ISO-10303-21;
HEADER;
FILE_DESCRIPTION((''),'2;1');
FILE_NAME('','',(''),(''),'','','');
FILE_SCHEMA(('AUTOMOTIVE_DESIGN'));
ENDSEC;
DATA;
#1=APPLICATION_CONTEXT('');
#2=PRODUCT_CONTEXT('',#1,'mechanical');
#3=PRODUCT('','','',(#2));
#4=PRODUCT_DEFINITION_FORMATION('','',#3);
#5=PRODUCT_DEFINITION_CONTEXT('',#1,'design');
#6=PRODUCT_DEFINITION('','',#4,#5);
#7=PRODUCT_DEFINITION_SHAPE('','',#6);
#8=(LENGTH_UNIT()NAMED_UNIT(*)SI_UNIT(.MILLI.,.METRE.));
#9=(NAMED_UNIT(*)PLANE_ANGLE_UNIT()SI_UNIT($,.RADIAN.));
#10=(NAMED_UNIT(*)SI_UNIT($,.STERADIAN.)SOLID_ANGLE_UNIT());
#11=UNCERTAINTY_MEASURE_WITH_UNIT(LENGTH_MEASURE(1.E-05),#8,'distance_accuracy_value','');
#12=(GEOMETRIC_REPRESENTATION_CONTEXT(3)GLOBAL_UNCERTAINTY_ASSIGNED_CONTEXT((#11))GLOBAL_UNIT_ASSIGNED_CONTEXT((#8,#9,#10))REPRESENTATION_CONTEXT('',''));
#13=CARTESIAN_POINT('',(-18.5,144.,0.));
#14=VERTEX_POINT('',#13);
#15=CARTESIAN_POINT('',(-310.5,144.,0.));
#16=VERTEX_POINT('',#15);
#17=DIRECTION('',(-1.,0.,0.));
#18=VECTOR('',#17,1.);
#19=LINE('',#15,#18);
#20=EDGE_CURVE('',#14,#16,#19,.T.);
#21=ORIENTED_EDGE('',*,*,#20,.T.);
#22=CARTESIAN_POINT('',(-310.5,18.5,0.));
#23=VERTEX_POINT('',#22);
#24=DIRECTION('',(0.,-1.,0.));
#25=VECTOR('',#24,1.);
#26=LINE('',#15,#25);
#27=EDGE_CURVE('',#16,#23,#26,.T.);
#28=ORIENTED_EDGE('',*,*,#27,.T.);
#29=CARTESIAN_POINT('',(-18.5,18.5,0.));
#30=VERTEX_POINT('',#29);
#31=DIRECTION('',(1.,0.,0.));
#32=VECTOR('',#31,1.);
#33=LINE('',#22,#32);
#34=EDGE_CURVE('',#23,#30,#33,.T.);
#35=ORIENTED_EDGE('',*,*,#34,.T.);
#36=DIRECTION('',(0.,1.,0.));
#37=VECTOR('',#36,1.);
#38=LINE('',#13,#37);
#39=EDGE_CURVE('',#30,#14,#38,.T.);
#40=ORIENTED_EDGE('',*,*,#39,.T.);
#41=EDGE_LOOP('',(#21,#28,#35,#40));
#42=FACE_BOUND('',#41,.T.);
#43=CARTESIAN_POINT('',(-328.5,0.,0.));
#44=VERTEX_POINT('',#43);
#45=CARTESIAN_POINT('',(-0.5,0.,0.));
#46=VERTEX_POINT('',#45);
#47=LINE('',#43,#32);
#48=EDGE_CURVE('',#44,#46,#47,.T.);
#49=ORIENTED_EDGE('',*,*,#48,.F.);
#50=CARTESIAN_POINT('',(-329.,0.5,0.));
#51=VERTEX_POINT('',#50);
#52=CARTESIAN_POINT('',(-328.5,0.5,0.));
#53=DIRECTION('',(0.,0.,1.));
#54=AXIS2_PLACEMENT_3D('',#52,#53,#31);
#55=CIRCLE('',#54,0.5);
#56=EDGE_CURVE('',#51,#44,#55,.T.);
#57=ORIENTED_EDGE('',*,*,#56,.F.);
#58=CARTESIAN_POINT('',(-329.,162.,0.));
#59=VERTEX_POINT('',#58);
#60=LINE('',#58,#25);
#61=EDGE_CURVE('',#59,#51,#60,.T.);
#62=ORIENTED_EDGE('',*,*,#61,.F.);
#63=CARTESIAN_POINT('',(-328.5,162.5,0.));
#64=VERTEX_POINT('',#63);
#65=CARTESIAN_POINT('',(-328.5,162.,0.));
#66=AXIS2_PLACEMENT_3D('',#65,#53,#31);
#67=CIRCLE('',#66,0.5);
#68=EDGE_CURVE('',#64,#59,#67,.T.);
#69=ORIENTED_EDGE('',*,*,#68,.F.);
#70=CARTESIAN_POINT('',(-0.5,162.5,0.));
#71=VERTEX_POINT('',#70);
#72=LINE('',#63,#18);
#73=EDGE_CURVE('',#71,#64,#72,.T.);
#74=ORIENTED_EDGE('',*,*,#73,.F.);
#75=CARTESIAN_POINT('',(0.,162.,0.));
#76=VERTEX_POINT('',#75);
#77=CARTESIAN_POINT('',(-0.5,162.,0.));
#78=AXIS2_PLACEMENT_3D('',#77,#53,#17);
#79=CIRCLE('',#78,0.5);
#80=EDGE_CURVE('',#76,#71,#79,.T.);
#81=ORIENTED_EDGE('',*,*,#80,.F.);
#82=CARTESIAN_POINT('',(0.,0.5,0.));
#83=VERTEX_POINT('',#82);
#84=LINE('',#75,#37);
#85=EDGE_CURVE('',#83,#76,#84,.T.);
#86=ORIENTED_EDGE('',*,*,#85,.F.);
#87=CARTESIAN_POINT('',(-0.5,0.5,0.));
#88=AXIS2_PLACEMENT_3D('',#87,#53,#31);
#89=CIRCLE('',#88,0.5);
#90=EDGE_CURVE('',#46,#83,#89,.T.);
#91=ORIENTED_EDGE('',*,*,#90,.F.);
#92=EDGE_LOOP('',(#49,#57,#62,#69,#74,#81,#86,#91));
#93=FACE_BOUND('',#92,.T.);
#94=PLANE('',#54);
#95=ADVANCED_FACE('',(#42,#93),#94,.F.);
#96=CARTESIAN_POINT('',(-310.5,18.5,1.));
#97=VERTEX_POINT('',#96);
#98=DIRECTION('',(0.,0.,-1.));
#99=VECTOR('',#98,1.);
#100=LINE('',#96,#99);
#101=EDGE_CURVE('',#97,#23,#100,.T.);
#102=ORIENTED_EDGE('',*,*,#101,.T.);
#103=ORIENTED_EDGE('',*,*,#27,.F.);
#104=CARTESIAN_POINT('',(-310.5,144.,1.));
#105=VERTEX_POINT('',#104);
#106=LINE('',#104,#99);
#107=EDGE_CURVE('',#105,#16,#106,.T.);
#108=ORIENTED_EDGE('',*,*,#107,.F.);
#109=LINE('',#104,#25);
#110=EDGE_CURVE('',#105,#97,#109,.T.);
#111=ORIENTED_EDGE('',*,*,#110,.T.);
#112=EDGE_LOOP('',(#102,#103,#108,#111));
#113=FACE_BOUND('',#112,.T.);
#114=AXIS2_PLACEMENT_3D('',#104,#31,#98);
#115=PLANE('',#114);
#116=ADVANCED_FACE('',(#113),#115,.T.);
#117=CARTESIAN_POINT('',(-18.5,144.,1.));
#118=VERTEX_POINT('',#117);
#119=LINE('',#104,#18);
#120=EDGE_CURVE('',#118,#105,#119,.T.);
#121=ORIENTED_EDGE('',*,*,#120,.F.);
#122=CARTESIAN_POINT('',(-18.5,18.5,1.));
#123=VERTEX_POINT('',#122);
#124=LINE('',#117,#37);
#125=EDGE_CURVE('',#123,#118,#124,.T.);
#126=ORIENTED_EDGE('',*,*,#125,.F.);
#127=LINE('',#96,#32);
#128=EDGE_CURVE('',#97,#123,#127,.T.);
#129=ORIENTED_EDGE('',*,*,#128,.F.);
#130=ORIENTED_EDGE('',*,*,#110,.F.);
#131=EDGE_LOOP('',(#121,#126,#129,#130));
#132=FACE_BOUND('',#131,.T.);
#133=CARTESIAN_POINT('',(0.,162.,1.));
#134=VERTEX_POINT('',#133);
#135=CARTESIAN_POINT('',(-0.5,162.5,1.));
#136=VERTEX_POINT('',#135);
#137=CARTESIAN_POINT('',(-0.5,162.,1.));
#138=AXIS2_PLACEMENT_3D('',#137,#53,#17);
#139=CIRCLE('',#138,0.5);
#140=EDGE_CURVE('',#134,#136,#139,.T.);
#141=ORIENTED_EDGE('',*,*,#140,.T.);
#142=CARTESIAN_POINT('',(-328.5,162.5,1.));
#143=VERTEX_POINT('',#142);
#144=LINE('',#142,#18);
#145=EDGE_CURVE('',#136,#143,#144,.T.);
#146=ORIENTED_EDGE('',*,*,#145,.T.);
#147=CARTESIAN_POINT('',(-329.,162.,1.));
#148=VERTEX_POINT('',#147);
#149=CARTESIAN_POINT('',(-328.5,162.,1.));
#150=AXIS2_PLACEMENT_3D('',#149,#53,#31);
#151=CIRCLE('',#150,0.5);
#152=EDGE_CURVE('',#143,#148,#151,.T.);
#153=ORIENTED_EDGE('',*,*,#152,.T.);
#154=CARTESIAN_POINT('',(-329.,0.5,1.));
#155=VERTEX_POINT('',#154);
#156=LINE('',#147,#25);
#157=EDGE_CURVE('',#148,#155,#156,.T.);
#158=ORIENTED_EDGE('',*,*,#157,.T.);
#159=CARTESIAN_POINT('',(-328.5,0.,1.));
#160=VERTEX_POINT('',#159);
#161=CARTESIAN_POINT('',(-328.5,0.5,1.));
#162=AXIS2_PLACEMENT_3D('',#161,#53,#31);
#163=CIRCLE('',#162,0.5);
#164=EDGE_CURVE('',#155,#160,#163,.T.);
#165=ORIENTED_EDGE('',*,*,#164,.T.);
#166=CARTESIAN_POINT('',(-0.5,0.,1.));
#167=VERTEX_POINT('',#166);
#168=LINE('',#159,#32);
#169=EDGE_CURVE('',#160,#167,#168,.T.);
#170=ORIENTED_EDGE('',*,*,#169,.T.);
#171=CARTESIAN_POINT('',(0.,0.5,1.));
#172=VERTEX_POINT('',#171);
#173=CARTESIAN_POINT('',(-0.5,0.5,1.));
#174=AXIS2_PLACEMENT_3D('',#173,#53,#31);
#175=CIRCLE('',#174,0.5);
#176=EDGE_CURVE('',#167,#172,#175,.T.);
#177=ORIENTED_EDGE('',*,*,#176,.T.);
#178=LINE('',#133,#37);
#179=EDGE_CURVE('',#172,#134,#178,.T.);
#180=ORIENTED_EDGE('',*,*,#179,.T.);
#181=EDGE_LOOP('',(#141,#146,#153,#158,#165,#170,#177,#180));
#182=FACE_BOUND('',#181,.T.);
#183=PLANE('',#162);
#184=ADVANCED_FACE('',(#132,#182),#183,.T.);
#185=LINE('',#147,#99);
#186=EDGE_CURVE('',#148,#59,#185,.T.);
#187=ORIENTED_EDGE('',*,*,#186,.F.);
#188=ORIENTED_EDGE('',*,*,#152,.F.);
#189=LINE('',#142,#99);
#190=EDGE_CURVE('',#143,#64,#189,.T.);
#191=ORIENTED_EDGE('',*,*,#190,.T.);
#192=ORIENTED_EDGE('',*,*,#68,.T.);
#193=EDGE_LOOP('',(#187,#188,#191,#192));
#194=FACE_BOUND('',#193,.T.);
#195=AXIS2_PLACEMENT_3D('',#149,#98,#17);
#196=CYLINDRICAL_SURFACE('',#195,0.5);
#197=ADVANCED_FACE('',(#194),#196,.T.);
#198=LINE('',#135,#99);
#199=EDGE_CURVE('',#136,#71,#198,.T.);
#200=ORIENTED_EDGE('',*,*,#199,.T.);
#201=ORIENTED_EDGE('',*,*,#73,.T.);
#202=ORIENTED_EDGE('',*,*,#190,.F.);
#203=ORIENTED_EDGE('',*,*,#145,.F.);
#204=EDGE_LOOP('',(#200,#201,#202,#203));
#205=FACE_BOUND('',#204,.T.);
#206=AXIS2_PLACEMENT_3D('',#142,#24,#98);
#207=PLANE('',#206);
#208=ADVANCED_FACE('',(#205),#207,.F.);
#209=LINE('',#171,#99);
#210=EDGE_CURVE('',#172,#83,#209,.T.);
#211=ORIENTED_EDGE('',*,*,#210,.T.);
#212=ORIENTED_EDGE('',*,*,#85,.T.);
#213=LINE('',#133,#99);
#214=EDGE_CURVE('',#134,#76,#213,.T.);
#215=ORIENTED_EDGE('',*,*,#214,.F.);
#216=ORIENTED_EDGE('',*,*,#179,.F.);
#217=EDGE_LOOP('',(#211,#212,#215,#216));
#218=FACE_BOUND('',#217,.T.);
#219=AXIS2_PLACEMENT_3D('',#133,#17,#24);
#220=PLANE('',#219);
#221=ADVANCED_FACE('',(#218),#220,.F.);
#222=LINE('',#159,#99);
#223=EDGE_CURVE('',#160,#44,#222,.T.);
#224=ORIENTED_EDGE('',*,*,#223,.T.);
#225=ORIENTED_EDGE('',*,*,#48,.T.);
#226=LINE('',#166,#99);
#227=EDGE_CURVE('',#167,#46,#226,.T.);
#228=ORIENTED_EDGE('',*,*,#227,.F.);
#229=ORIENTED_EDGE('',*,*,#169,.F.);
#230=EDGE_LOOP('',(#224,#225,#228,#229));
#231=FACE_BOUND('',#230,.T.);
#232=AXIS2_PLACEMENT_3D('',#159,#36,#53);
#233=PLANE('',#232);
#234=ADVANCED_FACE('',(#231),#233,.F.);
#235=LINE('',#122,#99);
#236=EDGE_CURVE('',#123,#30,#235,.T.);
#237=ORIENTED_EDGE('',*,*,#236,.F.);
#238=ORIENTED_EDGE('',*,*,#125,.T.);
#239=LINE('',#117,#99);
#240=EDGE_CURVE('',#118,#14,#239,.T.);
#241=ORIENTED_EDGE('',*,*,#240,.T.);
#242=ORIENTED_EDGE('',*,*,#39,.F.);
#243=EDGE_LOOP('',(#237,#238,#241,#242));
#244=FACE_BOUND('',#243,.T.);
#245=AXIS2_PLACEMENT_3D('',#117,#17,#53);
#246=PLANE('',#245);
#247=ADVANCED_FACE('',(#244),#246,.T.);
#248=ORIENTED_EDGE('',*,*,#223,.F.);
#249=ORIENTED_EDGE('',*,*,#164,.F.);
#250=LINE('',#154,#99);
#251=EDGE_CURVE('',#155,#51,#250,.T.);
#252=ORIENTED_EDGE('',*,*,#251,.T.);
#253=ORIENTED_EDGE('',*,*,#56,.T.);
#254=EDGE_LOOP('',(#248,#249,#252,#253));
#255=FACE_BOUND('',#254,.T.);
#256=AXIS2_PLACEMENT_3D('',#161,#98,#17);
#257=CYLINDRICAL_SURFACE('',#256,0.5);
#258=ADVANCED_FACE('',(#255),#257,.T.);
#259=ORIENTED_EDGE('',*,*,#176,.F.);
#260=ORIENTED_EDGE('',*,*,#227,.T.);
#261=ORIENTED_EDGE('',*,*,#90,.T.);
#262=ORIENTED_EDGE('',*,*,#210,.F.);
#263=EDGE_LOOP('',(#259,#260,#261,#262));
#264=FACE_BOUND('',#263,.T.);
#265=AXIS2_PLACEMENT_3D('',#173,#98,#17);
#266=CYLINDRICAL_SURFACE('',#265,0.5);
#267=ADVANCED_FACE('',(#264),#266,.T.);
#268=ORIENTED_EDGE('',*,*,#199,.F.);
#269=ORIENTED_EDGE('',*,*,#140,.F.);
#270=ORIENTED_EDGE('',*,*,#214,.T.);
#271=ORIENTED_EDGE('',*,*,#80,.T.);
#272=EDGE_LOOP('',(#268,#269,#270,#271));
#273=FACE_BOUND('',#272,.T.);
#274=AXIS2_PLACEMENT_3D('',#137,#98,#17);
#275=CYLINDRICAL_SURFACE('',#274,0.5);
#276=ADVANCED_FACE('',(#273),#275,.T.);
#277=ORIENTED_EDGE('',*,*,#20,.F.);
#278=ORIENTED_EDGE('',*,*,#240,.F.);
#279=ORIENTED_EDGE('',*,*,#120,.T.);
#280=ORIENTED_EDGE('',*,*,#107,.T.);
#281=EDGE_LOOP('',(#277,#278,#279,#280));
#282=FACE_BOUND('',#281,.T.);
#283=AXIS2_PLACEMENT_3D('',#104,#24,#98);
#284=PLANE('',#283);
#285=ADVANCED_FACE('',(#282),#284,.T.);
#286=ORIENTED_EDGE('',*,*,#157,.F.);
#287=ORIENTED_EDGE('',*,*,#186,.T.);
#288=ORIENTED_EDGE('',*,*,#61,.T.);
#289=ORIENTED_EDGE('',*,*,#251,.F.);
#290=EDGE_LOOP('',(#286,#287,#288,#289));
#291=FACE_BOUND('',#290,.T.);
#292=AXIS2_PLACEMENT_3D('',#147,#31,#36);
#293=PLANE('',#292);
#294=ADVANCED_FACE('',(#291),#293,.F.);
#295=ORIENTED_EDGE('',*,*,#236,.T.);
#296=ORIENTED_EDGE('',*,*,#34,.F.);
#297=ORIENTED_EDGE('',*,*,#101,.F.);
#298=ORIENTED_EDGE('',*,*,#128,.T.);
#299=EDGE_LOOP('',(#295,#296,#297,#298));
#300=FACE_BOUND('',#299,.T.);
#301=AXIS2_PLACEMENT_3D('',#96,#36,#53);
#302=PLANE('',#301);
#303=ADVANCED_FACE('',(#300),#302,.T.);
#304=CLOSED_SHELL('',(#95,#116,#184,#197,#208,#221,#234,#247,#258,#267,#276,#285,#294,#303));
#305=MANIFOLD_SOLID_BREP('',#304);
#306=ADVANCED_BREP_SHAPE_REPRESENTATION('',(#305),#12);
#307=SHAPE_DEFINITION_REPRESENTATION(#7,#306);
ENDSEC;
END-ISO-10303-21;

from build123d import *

# Parameters (mm, degrees)
SKETCH_1_W      = 292
SKETCH_1_H      = 125.5
EXTRUDE_1_DEPTH = 1


with BuildPart() as part:
    # 스케치1 → 보스-돌출1 (new body)
    with BuildSketch(Plane.XY):
        with BuildLine():
            Line((-328.5, 162.5), (-0.5, 162.5))
            ThreePointArc((-0.5, 162.5), (-0.146446609, 162.353553391), (0, 162))
            Line((0, 162), (0, 0.5))
            ThreePointArc((0, 0.5), (-0.146446609, 0.146446609), (-0.5, 0))
            Line((-0.5, 0), (-328.5, 0))
            ThreePointArc((-328.5, 0), (-328.853553391, 0.146446609), (-329, 0.5))
            Line((-329, 0.5), (-329, 162))
            ThreePointArc((-329, 162), (-328.853553391, 162.353553391), (-328.5, 162.5))
        make_face()
        with Locations((-164.5, 81.25)):
            Rectangle(SKETCH_1_W, SKETCH_1_H, mode=Mode.SUBTRACT)
    extrude(amount=EXTRUDE_1_DEPTH)


solid = part.part
